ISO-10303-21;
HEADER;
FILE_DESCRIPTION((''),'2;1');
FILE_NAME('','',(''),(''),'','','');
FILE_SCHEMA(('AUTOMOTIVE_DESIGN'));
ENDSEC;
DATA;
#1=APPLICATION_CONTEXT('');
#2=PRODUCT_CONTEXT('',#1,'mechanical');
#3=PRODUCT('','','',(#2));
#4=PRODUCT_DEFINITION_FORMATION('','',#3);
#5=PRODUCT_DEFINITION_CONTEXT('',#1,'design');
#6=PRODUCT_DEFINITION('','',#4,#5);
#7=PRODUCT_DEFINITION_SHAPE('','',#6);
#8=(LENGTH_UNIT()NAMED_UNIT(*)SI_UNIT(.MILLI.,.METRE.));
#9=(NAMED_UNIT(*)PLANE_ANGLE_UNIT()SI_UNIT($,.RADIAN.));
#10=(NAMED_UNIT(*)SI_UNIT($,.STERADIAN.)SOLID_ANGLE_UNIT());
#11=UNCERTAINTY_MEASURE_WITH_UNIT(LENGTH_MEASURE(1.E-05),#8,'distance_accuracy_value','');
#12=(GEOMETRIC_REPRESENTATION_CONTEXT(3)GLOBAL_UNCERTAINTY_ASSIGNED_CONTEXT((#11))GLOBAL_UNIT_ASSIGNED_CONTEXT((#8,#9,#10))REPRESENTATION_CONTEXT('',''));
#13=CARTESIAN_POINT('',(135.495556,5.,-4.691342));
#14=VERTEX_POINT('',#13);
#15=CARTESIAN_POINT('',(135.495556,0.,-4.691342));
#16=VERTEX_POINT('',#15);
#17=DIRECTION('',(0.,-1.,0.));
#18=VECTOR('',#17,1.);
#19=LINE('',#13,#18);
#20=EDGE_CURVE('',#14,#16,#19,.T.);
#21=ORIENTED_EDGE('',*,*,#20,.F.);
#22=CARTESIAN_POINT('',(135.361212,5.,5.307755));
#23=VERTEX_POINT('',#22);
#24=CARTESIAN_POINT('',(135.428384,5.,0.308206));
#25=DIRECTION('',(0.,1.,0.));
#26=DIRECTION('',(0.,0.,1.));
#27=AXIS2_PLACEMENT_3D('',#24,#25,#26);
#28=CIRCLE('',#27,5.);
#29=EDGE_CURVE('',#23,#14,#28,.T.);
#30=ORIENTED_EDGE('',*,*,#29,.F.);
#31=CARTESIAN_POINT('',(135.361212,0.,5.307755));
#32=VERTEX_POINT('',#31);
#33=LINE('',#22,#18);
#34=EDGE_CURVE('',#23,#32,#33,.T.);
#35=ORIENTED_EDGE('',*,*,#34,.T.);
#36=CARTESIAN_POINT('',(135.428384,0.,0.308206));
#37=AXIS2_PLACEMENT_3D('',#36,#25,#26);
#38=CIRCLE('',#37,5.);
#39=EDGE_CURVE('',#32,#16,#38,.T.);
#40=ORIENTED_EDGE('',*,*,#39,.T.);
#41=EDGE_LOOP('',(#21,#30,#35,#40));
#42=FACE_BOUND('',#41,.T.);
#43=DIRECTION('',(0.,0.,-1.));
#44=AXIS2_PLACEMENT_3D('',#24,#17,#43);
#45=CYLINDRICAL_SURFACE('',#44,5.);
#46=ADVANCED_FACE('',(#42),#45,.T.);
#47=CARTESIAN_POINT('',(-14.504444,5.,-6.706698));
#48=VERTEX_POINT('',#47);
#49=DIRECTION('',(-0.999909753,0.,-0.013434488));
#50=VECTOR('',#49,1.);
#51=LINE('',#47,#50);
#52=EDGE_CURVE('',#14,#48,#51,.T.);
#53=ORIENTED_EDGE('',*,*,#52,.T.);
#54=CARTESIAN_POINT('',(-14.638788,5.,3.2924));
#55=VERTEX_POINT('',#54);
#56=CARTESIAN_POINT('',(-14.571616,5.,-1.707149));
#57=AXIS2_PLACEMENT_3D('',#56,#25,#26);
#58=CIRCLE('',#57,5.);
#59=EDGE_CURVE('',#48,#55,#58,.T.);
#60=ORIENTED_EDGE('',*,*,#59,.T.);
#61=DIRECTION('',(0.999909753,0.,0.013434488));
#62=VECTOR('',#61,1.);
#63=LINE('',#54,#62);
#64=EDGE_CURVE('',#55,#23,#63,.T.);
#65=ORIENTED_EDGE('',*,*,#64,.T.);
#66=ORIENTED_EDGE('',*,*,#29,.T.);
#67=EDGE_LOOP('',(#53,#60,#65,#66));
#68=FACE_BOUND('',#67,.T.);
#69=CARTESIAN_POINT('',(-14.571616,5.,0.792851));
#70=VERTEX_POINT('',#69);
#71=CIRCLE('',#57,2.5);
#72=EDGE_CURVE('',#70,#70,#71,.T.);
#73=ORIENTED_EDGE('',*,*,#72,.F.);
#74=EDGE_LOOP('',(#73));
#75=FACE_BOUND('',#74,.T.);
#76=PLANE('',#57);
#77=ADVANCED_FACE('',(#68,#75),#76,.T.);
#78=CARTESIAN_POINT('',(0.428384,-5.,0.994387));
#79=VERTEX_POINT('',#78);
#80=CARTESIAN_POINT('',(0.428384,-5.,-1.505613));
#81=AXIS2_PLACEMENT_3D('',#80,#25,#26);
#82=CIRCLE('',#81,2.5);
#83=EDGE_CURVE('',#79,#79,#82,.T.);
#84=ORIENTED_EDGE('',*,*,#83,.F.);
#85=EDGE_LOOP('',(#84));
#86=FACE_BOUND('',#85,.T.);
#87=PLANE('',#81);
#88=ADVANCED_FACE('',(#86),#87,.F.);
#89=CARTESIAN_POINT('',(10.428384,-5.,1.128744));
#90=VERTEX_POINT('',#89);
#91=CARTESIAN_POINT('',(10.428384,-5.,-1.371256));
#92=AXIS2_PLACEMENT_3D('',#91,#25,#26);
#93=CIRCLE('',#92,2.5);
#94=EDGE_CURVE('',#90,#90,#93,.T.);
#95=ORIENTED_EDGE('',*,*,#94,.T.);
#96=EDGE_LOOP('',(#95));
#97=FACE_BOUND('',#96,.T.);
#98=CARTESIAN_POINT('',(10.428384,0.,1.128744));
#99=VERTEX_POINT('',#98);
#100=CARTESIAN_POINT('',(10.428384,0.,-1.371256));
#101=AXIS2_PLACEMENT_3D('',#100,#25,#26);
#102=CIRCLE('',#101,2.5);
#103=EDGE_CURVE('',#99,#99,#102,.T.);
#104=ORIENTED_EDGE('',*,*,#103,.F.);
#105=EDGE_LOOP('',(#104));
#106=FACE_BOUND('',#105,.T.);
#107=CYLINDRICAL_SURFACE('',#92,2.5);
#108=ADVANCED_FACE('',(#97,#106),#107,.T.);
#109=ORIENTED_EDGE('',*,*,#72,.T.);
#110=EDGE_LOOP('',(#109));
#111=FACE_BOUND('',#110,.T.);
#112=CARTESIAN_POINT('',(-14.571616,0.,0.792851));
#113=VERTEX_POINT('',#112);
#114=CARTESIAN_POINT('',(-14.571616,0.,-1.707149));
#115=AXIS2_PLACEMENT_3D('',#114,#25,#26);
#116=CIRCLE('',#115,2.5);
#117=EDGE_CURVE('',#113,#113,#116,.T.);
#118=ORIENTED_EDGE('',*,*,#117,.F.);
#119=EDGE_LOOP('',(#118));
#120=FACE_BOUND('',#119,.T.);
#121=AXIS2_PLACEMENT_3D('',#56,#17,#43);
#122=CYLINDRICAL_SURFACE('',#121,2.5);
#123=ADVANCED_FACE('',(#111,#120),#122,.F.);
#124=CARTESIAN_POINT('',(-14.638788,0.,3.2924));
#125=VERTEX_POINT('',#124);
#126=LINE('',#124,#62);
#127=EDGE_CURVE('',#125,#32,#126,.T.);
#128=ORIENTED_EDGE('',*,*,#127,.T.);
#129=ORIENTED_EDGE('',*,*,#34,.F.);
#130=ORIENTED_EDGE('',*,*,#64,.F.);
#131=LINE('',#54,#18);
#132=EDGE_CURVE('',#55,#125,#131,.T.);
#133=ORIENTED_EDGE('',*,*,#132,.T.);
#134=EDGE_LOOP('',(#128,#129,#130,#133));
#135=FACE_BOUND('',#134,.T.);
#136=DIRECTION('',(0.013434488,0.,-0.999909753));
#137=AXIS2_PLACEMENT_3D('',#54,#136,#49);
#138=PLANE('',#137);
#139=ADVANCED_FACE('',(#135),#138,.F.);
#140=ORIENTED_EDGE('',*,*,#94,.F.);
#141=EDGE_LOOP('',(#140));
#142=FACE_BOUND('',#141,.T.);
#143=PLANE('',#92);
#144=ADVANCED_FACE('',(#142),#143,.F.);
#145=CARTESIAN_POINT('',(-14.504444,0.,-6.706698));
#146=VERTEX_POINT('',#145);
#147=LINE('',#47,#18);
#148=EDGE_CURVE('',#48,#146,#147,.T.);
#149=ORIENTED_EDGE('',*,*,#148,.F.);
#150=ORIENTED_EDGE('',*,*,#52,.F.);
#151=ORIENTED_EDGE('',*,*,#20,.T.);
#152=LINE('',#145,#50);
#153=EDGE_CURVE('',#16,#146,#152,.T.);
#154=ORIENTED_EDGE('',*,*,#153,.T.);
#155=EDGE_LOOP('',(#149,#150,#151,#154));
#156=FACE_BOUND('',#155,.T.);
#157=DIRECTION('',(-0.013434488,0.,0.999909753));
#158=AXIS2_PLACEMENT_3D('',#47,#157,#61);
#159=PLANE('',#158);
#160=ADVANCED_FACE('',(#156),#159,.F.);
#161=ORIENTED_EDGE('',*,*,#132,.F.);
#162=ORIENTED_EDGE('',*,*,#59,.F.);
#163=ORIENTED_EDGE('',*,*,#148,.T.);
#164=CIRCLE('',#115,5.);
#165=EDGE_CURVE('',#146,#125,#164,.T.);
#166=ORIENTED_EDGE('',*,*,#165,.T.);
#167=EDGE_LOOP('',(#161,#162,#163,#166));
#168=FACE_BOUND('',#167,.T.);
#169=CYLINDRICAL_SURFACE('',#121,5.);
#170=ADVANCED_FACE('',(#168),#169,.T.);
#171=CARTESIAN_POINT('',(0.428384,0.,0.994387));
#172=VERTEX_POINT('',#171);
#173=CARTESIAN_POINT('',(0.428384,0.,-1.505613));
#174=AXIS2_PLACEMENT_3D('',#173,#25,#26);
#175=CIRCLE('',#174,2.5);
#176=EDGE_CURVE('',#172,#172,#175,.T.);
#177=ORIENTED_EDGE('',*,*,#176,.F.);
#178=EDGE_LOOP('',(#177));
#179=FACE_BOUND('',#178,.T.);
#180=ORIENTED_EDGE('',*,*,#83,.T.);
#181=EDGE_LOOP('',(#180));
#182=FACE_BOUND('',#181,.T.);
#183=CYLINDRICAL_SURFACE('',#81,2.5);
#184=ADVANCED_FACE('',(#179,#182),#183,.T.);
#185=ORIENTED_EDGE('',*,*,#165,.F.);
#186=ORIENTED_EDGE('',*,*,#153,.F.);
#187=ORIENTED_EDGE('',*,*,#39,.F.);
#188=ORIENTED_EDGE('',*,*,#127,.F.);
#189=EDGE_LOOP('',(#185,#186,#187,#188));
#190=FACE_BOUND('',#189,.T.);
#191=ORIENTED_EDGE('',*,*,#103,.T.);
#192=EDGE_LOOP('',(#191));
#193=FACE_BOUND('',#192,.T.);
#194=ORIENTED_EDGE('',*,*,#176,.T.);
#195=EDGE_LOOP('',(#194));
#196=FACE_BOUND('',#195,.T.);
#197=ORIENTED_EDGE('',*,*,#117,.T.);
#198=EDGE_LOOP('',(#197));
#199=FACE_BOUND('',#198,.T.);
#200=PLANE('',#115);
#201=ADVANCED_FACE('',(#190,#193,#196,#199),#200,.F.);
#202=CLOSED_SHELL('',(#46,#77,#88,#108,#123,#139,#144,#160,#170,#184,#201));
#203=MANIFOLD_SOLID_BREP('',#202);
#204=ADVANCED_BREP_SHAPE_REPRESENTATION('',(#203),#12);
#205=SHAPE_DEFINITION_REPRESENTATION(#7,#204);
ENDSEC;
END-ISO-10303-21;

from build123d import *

# Parameters (mm, degrees)
SKETCH1_R           = 2.5
BOSS_EXTRUDE1_DEPTH = 5
SKETCH2_R           = 2.5
BOSS_EXTRUDE2_DEPTH = 10


with BuildPart() as part:
    # Sketch1 → Boss-Extrude1 (new body)
    with BuildSketch(Plane(origin=(0, 0, 0), x_dir=(1, 0, 0), z_dir=(0, 1, 0))):
        with BuildLine():
            Line((-14.504443595, 6.706697569), (135.495556405, 4.691342482))
            ThreePointArc((135.495556405, 4.691342482), (140.42793273, -0.375378724), (135.361211524, -5.30775505))
            Line((135.361211524, -5.30775505), (-14.638788476, -3.292399963))
            ThreePointArc((-14.638788476, -3.292399963), (-19.571164802, 1.774321243), (-14.504443595, 6.706697569))
        make_face()
        with Locations(Location((-14.571616036, 1.707148803, 0), (0, 0, 270))):
            Circle(SKETCH1_R, mode=Mode.SUBTRACT)
    extrude(amount=BOSS_EXTRUDE1_DEPTH)

    # Sketch2 → Boss-Extrude2 (add)
    with BuildSketch(Plane(origin=(0, 5, 0), x_dir=(1, 0, 0), z_dir=(0, 1, 0))):
        with Locations(Location((0.428383964, 1.505613294, 0), (0, 0, 270))):
            Circle(SKETCH2_R)
        with Locations(Location((10.428383964, 1.371256288, 0), (0, 0, 270))):
            Circle(SKETCH2_R)
    extrude(amount=-BOSS_EXTRUDE2_DEPTH)


solid = part.part
